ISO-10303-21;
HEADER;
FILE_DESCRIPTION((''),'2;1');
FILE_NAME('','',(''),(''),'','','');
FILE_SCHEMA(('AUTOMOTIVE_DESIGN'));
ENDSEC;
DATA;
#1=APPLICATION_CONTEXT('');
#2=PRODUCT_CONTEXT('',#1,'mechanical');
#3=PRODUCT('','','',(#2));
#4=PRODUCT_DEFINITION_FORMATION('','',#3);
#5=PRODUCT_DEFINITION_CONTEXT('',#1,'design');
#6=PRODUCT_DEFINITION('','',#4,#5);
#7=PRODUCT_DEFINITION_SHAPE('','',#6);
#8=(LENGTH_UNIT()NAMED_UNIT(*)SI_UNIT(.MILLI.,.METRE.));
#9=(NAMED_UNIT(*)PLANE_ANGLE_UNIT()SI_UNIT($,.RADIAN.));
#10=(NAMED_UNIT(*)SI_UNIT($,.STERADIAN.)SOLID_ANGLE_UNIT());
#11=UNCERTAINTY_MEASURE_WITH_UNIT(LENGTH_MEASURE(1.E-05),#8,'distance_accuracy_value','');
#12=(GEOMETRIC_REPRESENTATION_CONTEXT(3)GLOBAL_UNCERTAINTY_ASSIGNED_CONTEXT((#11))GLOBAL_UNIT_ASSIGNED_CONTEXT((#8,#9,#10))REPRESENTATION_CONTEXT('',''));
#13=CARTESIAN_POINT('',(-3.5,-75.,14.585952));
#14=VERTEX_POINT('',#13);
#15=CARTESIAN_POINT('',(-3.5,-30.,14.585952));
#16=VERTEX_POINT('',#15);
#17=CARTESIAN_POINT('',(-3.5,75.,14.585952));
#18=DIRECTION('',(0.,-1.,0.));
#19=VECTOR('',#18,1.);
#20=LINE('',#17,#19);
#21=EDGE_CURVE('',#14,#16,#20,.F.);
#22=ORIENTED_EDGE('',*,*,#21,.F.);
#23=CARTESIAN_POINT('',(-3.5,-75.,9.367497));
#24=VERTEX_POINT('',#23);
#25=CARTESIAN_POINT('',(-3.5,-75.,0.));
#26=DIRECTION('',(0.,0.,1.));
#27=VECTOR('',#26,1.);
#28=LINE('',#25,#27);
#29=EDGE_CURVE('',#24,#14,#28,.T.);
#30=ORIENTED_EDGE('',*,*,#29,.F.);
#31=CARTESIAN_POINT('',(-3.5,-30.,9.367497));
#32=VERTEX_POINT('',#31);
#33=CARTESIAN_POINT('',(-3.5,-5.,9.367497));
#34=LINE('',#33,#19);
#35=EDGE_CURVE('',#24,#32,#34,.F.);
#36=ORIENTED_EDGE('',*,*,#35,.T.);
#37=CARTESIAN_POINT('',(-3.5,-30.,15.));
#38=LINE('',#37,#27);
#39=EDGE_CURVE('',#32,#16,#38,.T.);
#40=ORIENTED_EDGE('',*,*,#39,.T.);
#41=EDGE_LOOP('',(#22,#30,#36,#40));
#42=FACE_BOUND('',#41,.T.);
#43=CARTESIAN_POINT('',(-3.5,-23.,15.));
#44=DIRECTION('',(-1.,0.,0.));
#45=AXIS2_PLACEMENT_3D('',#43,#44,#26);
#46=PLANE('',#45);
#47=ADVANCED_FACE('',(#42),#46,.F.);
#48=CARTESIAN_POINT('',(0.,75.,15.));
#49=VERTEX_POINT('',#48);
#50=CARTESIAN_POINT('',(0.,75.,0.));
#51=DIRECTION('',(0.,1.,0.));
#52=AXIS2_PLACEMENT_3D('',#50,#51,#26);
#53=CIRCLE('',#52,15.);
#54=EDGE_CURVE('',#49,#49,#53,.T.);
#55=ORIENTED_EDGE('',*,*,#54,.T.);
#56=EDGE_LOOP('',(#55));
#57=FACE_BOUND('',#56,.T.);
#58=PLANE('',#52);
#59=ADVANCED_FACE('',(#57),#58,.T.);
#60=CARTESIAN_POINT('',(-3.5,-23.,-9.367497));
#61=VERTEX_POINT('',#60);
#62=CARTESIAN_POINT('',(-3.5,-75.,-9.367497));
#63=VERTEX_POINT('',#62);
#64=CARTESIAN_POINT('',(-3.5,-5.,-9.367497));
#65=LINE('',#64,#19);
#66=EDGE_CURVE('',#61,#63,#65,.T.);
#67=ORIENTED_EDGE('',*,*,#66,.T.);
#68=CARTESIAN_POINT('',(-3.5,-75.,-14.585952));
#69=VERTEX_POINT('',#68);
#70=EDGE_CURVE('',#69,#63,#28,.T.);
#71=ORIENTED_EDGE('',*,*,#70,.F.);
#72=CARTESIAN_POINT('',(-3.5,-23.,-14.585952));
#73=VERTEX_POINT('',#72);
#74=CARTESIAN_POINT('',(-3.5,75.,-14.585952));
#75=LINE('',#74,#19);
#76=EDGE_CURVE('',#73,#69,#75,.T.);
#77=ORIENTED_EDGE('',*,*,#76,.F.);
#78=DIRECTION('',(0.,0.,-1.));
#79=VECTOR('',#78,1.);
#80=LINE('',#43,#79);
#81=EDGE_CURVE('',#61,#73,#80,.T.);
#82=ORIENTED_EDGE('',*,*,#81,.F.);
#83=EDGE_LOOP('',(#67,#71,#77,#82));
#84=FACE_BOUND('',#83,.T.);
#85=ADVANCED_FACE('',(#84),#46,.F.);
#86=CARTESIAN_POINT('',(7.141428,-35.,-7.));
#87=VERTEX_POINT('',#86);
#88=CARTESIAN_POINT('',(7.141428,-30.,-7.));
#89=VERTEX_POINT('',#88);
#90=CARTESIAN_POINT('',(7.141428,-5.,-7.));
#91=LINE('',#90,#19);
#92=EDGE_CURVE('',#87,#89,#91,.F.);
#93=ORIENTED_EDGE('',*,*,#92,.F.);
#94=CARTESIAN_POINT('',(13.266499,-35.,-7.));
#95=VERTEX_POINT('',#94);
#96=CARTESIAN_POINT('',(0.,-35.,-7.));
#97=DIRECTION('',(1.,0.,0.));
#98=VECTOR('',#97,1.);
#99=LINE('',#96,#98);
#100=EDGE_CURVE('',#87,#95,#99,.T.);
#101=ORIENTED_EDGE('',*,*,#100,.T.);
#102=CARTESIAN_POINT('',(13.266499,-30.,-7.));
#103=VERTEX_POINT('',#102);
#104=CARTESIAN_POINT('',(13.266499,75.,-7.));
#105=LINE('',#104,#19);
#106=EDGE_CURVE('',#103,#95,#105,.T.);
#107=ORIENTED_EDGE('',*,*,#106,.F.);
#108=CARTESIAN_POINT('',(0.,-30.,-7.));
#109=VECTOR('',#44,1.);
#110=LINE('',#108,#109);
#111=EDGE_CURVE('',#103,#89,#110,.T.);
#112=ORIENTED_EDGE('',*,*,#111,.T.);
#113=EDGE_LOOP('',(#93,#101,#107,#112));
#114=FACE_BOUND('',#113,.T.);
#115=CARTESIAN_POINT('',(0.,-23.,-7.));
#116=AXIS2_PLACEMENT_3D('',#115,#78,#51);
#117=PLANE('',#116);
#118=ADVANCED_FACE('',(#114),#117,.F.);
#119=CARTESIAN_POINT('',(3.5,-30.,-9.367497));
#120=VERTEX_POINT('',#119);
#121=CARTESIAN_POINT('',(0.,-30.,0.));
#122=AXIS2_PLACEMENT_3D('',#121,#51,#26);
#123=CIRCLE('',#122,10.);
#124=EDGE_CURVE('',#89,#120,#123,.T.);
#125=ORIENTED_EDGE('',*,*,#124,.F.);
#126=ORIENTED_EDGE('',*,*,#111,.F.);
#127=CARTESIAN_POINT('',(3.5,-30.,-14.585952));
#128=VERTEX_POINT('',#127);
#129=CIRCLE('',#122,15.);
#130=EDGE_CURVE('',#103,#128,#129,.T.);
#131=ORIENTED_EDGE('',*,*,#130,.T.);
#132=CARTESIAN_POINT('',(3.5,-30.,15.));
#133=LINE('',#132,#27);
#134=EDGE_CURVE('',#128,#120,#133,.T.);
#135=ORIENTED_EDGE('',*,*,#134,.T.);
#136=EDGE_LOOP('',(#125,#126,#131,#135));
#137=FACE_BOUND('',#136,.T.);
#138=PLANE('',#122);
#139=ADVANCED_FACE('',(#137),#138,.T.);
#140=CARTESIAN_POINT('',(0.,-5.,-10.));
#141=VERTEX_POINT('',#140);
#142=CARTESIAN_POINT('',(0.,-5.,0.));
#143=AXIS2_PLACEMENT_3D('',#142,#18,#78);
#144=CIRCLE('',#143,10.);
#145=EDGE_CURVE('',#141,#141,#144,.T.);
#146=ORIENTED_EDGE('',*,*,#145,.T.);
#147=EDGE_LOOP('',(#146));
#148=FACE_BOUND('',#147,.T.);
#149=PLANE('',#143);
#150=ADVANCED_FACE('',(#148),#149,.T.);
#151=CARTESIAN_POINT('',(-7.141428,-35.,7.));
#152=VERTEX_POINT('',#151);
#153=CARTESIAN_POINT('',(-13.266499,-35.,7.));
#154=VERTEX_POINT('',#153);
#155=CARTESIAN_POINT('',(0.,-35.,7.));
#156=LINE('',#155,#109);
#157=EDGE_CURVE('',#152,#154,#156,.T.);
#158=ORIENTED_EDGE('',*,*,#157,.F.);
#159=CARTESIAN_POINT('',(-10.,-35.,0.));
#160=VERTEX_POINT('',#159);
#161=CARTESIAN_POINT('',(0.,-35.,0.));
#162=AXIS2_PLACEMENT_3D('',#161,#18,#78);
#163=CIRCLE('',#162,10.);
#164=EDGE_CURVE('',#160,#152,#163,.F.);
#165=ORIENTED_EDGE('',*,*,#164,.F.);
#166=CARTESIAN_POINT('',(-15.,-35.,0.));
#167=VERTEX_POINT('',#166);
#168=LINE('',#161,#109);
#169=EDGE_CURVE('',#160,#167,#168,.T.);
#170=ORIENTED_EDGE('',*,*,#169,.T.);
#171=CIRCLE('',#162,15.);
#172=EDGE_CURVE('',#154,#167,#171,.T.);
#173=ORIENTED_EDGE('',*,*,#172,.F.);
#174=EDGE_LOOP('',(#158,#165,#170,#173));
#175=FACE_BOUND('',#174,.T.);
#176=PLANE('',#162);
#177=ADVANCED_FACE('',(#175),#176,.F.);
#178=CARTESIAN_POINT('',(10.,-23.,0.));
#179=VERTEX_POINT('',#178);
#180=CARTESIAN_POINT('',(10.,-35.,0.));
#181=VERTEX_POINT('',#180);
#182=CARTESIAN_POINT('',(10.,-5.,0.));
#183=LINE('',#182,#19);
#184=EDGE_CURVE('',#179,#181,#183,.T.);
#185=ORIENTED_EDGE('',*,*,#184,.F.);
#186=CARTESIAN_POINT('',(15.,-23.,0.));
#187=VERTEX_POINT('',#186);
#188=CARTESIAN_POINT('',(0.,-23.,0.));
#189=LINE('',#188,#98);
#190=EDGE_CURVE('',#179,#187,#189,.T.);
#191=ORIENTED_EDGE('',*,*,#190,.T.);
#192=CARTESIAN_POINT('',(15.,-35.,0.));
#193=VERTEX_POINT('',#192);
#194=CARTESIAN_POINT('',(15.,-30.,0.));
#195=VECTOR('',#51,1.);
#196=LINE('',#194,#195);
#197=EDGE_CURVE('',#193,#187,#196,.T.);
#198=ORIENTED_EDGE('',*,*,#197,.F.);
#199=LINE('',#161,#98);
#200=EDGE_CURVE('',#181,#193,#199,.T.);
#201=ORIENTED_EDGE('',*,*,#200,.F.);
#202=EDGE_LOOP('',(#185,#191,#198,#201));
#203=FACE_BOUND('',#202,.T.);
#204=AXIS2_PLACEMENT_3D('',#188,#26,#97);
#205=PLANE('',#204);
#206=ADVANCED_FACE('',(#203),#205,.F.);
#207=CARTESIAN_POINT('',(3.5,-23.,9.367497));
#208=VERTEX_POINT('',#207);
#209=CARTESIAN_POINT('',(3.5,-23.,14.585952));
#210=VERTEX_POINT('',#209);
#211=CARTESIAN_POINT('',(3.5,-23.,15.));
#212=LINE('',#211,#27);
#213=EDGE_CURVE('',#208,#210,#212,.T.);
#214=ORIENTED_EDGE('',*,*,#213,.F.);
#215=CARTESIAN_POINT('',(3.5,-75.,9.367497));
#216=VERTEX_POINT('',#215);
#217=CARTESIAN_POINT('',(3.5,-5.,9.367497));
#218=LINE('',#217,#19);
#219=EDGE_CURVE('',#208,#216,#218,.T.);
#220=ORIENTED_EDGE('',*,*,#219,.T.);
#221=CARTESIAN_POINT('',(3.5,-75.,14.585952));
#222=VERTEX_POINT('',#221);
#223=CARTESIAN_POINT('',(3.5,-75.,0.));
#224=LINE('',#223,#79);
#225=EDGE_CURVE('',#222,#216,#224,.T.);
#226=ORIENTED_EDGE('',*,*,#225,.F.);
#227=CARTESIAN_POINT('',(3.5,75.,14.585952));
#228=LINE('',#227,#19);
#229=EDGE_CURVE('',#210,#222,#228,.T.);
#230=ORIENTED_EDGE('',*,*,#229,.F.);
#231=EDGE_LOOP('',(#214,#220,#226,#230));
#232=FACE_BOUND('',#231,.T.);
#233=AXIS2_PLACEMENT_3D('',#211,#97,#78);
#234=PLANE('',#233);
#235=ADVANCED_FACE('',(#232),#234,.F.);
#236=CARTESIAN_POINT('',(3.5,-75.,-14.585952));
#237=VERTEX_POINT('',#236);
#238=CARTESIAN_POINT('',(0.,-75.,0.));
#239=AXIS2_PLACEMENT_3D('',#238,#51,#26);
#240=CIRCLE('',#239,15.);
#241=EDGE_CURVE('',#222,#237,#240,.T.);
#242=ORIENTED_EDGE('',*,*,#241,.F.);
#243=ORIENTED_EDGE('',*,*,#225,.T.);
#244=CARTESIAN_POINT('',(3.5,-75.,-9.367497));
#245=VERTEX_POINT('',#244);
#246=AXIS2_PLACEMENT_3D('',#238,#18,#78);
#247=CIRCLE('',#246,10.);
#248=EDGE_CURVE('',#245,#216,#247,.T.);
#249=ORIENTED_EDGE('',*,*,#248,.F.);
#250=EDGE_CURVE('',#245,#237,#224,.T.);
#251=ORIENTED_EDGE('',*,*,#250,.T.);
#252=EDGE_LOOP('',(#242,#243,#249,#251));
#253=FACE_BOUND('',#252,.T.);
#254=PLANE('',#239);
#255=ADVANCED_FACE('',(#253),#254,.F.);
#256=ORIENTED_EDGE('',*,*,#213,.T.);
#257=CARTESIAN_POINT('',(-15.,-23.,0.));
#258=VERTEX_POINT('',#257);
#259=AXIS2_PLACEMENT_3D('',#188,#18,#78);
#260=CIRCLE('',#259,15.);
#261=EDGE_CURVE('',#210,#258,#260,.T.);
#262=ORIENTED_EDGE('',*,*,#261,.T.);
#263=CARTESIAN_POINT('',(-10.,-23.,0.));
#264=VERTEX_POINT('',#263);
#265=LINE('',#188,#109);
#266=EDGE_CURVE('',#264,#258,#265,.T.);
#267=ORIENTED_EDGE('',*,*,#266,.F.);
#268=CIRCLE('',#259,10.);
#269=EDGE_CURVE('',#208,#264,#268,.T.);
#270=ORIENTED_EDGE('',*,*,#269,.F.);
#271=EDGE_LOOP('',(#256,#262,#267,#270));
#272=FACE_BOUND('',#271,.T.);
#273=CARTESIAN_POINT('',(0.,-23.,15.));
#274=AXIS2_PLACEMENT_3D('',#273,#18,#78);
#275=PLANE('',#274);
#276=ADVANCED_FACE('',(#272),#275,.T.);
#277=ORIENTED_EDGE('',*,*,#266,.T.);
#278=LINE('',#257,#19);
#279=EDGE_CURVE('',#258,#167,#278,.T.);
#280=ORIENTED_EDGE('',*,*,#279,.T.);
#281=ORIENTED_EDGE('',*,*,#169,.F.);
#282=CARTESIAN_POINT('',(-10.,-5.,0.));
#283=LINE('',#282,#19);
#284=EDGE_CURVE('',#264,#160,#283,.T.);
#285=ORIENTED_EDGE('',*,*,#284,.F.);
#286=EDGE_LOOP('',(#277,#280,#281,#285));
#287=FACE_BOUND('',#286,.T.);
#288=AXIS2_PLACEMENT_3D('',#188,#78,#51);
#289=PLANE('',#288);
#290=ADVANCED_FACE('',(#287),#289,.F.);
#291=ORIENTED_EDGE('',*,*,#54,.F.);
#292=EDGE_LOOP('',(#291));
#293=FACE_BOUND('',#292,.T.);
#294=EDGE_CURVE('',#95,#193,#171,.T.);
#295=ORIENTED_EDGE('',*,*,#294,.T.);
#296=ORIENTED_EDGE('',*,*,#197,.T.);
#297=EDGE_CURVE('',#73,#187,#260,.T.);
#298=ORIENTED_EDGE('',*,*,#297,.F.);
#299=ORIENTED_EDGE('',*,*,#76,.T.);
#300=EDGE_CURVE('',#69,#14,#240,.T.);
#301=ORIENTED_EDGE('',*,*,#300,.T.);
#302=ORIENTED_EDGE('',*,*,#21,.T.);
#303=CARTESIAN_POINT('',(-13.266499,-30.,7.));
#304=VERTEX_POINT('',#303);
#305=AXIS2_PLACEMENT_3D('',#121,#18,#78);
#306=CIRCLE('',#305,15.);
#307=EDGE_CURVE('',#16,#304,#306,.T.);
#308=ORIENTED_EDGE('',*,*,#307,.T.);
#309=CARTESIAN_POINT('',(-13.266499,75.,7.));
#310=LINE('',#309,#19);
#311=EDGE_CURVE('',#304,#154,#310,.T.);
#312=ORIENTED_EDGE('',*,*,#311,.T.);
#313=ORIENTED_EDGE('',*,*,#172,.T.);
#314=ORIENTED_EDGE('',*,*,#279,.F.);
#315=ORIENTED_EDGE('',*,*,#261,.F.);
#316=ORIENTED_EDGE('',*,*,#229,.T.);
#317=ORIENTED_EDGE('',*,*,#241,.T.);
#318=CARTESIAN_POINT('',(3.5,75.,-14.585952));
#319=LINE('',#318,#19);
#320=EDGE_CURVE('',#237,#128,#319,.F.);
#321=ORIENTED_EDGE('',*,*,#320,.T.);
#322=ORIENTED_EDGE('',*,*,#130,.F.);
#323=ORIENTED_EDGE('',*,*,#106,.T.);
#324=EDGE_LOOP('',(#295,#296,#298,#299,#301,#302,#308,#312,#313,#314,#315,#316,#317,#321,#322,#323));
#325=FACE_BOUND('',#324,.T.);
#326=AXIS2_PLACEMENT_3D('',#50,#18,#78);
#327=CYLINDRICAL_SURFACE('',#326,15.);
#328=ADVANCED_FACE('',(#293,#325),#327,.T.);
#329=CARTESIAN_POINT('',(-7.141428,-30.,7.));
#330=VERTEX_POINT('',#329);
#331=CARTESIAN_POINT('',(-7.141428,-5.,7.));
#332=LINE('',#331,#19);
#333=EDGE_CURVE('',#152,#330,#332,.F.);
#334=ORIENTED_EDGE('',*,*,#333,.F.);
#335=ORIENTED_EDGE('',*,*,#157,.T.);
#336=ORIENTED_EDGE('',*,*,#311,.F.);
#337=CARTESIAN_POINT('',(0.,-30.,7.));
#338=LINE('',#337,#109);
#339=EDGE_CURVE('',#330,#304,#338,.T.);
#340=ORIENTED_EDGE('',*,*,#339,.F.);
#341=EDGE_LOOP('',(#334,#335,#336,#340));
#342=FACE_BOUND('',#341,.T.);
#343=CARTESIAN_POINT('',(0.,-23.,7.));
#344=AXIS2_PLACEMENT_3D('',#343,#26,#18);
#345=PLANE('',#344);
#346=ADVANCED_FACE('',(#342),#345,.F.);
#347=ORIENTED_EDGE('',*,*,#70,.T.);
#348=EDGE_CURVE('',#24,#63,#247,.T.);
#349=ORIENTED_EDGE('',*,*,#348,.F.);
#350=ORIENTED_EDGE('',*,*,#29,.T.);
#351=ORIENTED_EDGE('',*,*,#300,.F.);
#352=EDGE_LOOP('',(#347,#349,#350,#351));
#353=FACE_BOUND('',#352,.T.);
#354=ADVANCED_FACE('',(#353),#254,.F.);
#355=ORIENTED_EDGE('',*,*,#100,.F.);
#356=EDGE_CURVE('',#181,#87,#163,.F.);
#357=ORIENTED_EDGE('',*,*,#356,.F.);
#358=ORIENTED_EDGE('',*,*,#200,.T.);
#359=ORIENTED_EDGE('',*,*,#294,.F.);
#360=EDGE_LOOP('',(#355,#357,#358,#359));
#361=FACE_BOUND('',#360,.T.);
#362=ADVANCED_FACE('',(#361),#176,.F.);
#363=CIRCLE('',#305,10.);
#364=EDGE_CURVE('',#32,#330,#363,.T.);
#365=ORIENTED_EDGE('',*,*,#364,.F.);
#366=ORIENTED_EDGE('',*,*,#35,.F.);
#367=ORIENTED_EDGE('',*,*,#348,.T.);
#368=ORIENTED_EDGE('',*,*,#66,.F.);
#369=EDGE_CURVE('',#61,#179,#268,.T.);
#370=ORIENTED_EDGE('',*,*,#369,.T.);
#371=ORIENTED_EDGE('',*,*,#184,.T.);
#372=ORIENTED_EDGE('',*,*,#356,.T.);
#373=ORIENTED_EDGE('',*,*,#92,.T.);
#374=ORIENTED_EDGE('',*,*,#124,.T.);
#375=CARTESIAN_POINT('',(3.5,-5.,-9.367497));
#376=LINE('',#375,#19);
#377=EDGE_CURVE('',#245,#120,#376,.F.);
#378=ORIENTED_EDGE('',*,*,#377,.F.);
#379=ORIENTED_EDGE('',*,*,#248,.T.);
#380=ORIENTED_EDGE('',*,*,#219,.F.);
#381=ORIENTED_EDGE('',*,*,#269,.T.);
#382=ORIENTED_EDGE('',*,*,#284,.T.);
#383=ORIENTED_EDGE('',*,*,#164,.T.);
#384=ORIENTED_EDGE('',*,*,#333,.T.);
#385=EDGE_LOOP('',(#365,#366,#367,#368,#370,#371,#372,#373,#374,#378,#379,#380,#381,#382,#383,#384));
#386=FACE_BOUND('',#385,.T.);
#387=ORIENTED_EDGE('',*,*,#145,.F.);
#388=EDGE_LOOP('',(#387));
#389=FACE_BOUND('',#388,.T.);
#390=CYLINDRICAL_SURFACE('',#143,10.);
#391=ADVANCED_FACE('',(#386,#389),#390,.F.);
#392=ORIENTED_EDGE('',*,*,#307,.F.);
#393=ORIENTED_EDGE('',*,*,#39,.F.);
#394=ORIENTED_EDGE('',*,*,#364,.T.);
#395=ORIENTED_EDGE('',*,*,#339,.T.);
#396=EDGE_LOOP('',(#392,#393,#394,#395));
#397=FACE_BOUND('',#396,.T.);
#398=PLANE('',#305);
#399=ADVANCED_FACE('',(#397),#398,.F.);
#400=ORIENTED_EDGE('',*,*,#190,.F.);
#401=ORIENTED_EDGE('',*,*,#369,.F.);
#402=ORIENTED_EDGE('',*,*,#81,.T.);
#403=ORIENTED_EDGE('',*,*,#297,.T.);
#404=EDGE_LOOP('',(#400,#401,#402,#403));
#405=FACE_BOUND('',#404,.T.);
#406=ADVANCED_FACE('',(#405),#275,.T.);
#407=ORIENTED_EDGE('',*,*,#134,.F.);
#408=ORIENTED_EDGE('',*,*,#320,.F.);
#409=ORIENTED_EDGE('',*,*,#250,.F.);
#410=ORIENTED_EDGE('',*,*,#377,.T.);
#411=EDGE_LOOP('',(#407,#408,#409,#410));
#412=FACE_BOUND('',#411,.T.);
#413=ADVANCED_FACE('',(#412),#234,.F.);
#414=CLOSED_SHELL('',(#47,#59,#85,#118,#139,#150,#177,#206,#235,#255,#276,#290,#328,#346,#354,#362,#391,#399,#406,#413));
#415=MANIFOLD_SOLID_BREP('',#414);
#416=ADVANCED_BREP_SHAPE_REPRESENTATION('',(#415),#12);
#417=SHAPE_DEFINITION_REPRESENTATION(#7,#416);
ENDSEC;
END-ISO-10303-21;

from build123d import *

# Parameters (mm, degrees)
SKETCH1_R           = 15
BOSS_EXTRUDE1_DEPTH = 75
CUT_EXTRUDE1_DEPTH  = 52
CUT_EXTRUDE2_DEPTH  = 3.5
SKETCH9_R           = 10
CUT_EXTRUDE12_DEPTH = 70
SKETCH17_W          = 7
SKETCH17_H          = 12
CUT_EXTRUDE19_DEPTH = 15
SKETCH19_W          = 7
SKETCH19_H          = 12
CUT_EXTRUDE20_DEPTH = 15


with BuildPart() as part:
    # Sketch1 → Boss-Extrude1 (new, symmetric)
    with BuildSketch(Plane(origin=(0, 0, 0), x_dir=(1, 0, 0), z_dir=(0, 1, 0))):
        with Locations(Location((0, 0, 0), (0, 0, 270))):
            Circle(SKETCH1_R)
    extrude(amount=BOSS_EXTRUDE1_DEPTH, both=True)

    # Sketch2 → Cut-Extrude1 (cut)
    with BuildSketch(Plane.XZ.offset(75)):
        with BuildLine():
            Line((3.5, 15), (3.5, -15))
            ThreePointArc((3.5, -15), (0, -18.5), (-3.5, -15))
            Line((-3.5, -15), (-3.5, 15))
            ThreePointArc((-3.5, 15), (0, 18.5), (3.5, 15))
        make_face()
    extrude(amount=-CUT_EXTRUDE1_DEPTH, mode=Mode.SUBTRACT)

    # Sketch3 → Cut-Extrude2 (cut, symmetric)
    with BuildSketch(Plane(origin=(0, -26.5, 0), x_dir=(1, 0, 0), z_dir=(0, 1, 0))):
        Polygon((-14.980069936, 0), (-15.328117643, -9.993941304), (-0.348047707, -16.993941304), (0, -7), align=None)
        Polygon((15, 0), (0, 7), (0.348047707, 16.993941304), (15.348047707, 9.993941304), align=None)
    extrude(amount=CUT_EXTRUDE2_DEPTH, both=True, mode=Mode.SUBTRACT)

    # Sketch9 → Cut-Extrude12 (cut)
    with BuildSketch(Plane.XZ.offset(75)):
        with Locations(Location((0, 0, 0), (0, 0, 270))):
            Circle(SKETCH9_R)
    extrude(amount=-CUT_EXTRUDE12_DEPTH, mode=Mode.SUBTRACT)

    # Sketch17 → Cut-Extrude19 (cut)
    with BuildSketch(Plane(origin=(15, 0, 0), x_dir=(0, 0, -1), z_dir=(1, 0, 0))):
        with Locations((3.5, -29)):
            Rectangle(SKETCH17_W, SKETCH17_H)
    extrude(amount=-CUT_EXTRUDE19_DEPTH, mode=Mode.SUBTRACT)

    # Sketch19 → Cut-Extrude20 (cut)
    with BuildSketch(Plane.ZY.offset(15)):
        with Locations((3.5, -29)):
            Rectangle(SKETCH19_W, SKETCH19_H)
    extrude(amount=-CUT_EXTRUDE20_DEPTH, mode=Mode.SUBTRACT)


solid = part.part
